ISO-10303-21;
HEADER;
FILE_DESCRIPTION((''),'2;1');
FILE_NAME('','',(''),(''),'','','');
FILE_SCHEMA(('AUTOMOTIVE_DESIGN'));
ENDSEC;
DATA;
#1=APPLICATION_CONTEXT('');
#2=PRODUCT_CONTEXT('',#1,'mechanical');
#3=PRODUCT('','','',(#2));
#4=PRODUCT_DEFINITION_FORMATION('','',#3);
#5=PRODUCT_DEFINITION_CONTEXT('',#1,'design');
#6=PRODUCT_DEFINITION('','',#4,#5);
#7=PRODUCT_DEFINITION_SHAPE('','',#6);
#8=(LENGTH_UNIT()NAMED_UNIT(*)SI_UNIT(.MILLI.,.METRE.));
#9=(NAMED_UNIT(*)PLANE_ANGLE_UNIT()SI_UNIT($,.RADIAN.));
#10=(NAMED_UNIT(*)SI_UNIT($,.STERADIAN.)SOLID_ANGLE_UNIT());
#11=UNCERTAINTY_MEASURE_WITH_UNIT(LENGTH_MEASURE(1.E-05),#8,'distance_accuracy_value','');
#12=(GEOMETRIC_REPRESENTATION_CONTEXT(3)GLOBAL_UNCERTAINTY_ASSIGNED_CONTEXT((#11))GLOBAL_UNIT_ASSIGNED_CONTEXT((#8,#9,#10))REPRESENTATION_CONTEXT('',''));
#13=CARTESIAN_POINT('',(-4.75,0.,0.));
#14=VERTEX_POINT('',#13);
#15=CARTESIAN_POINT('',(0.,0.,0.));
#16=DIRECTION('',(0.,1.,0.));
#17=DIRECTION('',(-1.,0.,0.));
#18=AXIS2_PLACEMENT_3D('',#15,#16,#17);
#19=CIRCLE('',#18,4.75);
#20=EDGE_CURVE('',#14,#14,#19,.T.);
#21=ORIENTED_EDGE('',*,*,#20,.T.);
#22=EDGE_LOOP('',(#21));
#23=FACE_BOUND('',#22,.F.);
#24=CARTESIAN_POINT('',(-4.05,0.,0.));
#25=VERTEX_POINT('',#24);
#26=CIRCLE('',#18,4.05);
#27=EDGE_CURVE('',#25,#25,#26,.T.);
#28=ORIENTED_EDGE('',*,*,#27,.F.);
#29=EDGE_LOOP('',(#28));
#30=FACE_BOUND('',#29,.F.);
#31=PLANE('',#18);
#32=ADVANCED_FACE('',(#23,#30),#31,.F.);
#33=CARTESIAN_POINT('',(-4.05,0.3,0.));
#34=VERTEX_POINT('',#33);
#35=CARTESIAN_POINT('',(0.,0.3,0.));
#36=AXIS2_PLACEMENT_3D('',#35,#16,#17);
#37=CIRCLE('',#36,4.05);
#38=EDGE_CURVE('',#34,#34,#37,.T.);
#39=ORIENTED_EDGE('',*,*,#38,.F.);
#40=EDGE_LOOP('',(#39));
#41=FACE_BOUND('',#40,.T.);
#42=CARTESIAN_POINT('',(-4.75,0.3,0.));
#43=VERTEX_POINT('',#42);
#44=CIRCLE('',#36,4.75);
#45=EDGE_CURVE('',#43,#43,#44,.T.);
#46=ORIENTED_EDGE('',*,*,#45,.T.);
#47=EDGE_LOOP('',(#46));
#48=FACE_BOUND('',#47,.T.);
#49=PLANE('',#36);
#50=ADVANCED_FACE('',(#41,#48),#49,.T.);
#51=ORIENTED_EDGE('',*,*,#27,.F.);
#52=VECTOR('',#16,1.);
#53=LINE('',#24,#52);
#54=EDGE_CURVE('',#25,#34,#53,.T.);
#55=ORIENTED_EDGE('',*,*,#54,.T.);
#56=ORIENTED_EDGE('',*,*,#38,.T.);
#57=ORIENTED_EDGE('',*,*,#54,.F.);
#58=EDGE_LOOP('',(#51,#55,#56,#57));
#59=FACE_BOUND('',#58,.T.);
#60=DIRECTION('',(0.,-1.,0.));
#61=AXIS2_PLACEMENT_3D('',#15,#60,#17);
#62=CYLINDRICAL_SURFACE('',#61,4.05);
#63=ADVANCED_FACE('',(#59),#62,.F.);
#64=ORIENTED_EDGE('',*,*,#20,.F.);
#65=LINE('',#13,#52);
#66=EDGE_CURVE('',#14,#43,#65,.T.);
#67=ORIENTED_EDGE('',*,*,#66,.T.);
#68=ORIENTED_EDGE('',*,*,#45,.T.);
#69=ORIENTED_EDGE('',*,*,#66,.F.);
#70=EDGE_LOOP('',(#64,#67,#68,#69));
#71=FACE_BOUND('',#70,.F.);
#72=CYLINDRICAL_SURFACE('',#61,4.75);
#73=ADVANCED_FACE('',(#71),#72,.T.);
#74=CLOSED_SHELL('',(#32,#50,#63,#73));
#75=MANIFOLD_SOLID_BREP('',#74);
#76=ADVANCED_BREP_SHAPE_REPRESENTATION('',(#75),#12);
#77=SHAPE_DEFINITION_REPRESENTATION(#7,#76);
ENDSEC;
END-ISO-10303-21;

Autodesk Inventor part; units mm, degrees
ref_plane "YZ Plane" through (0, 0, 0) normal (1, 0, 0) x (0, 1, 0)
ref_plane "XZ Plane" through (0, 0, 0) normal (0, 1, 0) x (-1, 0, 0)
ref_plane "XY Plane" through (0, 0, 0) normal (0, 0, 1) x (1, 0, 0)
sketch "Sketch1" plane through (0, 0, 0) normal (0, 1, 0) x (-1, 0, 0)
  circle A0 centre (0, 0) radius 4.75
  circle A1 centre (0, 0) radius 4.05
  dimension "d0" = 9.5
  dimension "d1" = 8.1
extrude "Extrusion1" add sketch "Sketch1" along normal blind 0.3
properties part number "LED washer"
